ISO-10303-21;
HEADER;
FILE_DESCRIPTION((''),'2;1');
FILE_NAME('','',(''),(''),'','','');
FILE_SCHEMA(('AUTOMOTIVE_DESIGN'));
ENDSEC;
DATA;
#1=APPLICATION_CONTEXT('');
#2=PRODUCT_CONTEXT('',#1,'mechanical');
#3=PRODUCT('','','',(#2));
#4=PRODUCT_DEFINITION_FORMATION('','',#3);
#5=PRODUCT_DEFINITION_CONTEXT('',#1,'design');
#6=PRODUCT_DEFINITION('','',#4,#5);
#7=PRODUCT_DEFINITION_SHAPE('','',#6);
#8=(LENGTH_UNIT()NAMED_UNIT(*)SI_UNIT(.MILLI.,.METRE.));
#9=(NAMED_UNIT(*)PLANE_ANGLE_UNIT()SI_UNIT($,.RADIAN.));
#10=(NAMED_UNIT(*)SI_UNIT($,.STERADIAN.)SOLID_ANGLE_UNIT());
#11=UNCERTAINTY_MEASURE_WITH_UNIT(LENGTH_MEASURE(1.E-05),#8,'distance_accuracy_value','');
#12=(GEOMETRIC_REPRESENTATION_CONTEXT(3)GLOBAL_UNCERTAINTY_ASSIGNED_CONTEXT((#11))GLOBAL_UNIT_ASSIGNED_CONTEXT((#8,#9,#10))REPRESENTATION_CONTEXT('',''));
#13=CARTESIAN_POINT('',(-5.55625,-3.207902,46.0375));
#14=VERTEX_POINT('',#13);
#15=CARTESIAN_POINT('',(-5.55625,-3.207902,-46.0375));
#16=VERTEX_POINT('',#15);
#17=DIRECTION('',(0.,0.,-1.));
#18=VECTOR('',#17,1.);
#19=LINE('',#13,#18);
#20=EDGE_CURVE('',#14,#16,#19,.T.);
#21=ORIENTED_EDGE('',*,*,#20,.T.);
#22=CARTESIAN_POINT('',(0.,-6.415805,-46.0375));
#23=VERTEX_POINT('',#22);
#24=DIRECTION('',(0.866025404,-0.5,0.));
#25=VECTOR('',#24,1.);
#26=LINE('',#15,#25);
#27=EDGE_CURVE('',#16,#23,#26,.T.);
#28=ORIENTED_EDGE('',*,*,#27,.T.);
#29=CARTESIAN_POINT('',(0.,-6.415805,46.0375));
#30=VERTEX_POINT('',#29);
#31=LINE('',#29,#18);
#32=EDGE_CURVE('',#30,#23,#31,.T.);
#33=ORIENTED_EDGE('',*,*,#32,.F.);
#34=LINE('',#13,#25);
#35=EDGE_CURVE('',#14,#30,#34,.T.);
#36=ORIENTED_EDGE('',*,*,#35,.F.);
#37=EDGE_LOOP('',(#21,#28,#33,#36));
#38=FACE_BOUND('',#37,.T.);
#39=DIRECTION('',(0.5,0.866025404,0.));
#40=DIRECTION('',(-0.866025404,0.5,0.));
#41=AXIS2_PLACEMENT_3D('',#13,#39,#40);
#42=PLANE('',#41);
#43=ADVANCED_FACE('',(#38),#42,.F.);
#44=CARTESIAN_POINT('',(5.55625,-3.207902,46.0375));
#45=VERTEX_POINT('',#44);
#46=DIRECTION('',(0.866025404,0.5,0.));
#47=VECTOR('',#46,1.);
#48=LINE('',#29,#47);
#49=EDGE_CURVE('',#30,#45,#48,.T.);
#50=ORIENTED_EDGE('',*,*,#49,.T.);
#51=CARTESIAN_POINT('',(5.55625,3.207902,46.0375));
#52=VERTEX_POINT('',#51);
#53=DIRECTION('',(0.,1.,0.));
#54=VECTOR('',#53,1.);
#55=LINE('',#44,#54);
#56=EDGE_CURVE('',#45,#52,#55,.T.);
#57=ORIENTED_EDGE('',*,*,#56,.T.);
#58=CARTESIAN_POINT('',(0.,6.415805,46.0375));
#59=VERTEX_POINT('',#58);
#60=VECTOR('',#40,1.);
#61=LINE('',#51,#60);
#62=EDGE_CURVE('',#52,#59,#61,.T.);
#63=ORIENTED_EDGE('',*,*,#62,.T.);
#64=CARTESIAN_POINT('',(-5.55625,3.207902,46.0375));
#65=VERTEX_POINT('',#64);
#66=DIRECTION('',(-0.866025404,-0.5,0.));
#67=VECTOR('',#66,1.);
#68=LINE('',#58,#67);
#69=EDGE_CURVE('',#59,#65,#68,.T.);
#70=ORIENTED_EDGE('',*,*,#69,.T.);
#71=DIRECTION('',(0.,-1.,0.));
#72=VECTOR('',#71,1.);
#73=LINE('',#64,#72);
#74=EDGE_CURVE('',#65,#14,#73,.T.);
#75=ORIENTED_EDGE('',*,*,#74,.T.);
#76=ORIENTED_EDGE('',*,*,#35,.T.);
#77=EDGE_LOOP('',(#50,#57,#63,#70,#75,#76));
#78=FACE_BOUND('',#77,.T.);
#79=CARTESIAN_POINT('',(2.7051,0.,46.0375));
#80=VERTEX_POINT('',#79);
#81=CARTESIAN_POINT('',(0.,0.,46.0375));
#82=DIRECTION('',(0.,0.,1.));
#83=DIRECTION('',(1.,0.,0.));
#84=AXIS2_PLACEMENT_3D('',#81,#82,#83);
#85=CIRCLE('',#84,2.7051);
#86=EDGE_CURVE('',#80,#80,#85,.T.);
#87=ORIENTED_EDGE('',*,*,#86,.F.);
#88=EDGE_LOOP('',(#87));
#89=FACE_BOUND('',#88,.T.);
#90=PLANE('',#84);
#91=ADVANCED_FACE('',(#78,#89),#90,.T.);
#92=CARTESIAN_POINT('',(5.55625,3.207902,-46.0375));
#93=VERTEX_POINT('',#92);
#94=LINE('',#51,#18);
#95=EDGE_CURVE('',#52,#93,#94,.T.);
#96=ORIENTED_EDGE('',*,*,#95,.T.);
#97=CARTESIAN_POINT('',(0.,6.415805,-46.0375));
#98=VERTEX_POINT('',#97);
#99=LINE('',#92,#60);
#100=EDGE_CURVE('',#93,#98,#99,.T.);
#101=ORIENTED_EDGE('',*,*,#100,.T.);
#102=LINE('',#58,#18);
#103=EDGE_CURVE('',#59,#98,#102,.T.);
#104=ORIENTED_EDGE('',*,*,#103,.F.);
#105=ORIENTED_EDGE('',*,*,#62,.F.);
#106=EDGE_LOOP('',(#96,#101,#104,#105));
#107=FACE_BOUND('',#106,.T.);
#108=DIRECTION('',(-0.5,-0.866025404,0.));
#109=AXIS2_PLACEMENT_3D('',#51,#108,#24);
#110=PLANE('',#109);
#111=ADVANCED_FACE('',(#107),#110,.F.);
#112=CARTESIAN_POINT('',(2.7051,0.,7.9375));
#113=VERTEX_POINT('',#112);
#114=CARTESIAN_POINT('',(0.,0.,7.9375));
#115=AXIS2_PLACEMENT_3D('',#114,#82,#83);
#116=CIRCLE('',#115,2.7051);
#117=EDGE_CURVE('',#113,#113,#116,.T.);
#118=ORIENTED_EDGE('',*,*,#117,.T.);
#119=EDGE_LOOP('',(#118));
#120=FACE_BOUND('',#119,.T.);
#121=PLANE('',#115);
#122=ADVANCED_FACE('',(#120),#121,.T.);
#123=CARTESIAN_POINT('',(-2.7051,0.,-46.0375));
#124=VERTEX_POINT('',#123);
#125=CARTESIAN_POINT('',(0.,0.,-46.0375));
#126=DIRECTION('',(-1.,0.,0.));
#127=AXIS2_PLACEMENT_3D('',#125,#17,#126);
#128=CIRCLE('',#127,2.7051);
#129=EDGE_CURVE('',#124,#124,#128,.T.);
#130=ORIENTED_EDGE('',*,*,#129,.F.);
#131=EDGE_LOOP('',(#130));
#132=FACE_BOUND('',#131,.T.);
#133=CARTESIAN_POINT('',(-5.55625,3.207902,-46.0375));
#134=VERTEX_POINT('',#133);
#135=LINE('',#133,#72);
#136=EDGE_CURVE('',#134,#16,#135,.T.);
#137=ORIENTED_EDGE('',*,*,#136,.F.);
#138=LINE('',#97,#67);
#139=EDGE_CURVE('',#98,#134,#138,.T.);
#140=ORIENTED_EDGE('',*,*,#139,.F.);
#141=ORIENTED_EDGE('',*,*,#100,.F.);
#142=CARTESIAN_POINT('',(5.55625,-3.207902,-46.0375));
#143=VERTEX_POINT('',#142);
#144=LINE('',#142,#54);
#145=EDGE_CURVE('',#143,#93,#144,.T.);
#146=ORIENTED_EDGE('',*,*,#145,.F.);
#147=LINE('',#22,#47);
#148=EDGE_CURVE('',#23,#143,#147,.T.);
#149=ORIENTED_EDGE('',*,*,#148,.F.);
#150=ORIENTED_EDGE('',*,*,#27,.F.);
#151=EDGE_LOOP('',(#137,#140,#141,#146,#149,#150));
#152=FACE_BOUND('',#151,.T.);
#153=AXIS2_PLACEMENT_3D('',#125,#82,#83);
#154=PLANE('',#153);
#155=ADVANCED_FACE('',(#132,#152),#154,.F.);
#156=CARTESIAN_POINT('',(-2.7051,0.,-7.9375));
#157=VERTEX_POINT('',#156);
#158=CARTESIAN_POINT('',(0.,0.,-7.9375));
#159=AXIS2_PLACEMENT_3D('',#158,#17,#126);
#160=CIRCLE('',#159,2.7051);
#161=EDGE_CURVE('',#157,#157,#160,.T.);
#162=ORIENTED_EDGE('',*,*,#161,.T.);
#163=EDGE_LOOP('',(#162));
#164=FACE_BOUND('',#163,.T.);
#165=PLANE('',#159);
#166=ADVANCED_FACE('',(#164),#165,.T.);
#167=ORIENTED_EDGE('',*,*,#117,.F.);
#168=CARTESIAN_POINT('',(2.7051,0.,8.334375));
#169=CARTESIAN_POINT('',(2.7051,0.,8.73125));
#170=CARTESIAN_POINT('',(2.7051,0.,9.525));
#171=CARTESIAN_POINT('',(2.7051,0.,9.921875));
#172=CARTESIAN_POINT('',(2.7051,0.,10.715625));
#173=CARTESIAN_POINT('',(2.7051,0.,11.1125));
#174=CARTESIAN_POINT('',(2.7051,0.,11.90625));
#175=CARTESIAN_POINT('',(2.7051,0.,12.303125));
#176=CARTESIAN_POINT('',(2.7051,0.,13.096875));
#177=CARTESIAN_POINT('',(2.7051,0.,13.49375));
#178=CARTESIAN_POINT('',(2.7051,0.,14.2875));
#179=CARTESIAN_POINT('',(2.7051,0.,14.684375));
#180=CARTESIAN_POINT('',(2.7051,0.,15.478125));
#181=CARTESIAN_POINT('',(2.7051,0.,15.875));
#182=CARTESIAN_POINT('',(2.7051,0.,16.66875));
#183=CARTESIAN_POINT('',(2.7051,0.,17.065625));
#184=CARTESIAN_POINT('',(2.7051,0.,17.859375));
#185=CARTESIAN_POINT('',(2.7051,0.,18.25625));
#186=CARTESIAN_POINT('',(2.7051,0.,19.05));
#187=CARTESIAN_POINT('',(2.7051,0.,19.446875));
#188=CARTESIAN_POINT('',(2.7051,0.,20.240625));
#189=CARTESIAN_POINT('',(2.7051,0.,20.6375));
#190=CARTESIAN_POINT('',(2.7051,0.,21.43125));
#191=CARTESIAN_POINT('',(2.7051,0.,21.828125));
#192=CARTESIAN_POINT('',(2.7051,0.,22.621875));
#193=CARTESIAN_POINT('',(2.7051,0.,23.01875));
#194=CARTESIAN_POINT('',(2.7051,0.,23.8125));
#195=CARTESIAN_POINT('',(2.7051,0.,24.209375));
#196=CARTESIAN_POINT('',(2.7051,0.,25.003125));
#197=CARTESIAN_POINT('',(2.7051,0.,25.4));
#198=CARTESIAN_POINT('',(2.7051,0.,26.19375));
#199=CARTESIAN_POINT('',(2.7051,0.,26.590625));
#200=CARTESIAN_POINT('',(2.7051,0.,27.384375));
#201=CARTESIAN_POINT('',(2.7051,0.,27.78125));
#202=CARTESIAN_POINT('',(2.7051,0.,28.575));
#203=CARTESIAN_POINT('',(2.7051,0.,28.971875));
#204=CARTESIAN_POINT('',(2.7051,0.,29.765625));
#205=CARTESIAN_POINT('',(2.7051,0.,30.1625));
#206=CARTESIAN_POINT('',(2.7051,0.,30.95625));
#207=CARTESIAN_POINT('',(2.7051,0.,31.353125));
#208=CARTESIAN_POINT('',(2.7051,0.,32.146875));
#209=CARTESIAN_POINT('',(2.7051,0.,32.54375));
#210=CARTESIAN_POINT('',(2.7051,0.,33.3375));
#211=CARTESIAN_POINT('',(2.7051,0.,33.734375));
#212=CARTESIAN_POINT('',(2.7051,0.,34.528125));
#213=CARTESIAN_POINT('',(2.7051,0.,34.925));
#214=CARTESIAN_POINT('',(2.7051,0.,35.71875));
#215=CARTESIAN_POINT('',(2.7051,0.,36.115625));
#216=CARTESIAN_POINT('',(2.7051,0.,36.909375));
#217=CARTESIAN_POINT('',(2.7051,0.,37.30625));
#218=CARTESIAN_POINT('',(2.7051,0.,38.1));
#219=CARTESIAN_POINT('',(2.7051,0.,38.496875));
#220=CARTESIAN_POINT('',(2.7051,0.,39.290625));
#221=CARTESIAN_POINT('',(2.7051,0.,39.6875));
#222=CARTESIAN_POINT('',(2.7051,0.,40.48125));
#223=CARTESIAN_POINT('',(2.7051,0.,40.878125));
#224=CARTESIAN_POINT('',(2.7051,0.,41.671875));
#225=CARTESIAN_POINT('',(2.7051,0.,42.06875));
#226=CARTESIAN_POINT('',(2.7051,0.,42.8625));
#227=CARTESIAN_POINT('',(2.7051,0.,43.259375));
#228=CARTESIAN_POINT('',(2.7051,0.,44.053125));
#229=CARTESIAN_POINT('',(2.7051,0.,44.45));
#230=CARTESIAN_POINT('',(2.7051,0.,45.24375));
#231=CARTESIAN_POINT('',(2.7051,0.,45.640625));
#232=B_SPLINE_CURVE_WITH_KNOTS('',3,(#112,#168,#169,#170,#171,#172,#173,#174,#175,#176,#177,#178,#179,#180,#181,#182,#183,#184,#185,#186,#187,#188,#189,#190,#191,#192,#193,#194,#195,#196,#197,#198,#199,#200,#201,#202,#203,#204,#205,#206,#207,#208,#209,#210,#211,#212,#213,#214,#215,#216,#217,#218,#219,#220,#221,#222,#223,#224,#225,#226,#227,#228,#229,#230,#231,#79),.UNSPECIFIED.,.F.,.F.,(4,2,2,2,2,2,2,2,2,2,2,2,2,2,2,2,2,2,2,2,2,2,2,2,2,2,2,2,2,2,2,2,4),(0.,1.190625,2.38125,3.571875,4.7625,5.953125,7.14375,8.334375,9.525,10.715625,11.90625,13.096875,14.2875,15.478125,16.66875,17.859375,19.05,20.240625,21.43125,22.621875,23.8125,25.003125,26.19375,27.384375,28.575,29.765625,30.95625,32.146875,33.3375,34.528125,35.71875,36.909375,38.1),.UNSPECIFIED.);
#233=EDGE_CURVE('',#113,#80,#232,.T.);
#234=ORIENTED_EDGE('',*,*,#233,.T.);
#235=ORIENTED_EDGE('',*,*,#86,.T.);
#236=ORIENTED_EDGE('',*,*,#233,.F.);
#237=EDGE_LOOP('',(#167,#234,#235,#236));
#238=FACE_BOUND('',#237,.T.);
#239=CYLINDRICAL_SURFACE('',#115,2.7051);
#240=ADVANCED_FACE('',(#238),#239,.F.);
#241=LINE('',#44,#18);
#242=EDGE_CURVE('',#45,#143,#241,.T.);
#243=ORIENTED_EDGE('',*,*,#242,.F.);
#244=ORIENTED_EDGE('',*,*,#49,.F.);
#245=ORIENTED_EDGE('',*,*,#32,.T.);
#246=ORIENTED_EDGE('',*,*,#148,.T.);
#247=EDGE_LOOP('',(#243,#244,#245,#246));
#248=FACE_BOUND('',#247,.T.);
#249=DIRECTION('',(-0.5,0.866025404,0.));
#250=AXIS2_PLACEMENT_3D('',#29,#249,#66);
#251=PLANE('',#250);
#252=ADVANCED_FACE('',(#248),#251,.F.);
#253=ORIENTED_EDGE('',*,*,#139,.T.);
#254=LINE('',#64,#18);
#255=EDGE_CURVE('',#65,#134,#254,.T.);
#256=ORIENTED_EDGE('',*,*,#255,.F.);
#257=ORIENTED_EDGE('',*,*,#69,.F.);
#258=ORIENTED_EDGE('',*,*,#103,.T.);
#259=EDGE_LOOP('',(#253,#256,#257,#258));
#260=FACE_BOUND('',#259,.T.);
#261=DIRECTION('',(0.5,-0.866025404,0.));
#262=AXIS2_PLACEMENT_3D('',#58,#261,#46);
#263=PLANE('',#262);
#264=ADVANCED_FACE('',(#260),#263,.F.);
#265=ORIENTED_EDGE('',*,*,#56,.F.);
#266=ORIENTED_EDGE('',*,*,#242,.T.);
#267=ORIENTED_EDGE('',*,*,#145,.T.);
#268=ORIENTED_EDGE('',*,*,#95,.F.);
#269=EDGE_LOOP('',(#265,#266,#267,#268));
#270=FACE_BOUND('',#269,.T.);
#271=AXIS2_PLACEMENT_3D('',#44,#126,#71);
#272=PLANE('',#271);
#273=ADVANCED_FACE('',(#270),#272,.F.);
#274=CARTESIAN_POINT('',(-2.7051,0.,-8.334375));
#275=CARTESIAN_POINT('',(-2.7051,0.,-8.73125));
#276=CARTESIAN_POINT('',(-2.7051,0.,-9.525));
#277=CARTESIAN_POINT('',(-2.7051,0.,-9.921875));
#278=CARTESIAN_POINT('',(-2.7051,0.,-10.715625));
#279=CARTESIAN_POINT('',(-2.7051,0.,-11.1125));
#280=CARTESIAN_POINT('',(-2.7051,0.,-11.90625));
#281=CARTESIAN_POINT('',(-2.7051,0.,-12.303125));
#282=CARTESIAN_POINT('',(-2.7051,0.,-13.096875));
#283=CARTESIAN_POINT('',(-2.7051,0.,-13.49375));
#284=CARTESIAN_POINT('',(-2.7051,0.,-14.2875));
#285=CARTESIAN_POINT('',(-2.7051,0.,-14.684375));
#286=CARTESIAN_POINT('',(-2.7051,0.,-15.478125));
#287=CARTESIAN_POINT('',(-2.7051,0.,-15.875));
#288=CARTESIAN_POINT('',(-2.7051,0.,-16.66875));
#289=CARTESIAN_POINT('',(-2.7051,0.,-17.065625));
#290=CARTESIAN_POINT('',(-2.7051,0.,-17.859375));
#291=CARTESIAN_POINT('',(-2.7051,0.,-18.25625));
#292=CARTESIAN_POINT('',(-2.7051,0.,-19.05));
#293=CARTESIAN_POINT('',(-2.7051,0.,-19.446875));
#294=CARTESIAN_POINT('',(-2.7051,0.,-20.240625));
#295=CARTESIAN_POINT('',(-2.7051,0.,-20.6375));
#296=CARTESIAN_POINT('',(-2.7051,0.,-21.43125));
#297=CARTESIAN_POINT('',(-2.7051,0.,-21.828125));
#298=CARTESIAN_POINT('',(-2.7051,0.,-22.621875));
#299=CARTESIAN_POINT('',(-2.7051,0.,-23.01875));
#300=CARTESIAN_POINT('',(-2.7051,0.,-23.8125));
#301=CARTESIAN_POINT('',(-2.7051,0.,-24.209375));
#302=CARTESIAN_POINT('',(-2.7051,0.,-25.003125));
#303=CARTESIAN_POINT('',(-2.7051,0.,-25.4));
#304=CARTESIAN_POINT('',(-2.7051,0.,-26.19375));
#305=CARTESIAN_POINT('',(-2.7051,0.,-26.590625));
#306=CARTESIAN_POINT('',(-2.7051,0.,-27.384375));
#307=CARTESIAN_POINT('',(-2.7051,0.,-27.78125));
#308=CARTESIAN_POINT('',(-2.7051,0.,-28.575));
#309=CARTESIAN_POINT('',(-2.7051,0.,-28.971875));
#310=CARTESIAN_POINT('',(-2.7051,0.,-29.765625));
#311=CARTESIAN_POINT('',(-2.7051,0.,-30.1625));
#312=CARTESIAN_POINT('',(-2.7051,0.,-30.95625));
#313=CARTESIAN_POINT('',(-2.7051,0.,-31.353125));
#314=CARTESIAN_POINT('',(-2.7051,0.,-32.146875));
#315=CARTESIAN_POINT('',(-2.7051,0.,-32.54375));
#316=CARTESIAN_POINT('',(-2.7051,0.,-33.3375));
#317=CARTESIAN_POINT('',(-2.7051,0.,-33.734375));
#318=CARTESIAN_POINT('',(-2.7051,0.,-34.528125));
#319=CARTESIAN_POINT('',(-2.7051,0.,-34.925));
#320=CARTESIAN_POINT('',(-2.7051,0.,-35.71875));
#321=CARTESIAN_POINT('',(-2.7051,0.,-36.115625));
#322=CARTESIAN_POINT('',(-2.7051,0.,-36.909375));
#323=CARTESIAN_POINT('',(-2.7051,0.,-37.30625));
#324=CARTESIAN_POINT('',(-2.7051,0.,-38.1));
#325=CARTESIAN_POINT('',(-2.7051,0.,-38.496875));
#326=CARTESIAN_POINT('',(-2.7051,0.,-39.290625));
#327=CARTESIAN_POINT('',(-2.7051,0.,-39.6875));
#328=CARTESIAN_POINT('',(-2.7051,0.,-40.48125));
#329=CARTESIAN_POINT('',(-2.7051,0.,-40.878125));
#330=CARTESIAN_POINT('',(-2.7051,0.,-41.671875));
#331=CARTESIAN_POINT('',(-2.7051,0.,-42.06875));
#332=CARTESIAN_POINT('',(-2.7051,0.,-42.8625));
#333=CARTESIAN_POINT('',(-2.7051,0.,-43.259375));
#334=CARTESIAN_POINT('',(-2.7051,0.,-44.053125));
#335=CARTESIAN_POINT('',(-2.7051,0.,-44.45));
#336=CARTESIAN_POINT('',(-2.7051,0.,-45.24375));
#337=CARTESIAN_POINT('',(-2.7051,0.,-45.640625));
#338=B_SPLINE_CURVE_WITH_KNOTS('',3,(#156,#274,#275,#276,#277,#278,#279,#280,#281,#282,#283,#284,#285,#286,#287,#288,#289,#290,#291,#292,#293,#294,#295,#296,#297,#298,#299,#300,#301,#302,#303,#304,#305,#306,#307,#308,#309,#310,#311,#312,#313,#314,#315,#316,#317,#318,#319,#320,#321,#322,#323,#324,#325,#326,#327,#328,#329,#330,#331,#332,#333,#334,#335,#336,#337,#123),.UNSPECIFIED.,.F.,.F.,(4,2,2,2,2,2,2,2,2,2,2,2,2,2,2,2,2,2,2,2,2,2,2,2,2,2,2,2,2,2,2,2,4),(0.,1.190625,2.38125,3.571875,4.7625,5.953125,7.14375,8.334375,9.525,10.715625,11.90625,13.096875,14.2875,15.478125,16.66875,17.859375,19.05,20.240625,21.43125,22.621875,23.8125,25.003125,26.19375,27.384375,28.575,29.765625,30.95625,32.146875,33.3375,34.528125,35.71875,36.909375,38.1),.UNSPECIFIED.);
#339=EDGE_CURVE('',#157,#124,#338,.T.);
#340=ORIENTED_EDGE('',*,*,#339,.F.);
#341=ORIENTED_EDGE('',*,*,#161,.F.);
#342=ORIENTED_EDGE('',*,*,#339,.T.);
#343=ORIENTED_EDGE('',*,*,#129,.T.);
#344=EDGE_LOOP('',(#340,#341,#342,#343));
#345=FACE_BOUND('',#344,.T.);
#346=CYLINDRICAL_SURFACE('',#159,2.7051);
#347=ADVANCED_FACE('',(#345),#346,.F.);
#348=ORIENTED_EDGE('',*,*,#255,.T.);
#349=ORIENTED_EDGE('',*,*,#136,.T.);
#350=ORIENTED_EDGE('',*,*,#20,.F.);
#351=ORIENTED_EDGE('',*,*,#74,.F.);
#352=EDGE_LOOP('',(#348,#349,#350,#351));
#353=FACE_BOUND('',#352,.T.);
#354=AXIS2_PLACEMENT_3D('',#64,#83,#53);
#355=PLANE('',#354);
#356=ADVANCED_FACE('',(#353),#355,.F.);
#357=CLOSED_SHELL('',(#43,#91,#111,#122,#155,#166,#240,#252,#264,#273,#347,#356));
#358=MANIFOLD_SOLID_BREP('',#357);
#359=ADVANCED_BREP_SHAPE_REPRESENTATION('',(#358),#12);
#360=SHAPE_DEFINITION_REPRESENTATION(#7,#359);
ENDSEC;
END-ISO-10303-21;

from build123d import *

# Parameters (mm, degrees)
BOSS_EXTRUDE1_DEPTH = 46.0375
SKETCH3_R           = 2.7051
CUT_EXTRUDE1_DEPTH  = 38.1
CUT_EXTRUDE2_START  = -38.1
SKETCH4_R           = 2.7051
CUT_EXTRUDE2_DEPTH  = 38.1


with BuildPart() as part:
    # Sketch2 → Boss-Extrude1 (new, symmetric)
    with BuildSketch(Plane.XY):
        Polygon((0, 6.415804866), (-5.55625, 3.207902433), (-5.55625, -3.207902433), (0, -6.415804866), (5.55625, -3.207902433), (5.55625, 3.207902433), align=None)
    extrude(amount=BOSS_EXTRUDE1_DEPTH, both=True)

    # Sketch3 → Cut-Extrude1 (cut)
    with BuildSketch(Plane.XY.offset(46.0375)):
        Circle(SKETCH3_R)
    extrude(amount=-CUT_EXTRUDE1_DEPTH, mode=Mode.SUBTRACT)

    # Sketch4 → Cut-Extrude2 (cut)
    with BuildSketch(Plane(origin=(0, 0, -46.0375), x_dir=(-1, 0, 0), z_dir=(0, 0, -1)).offset(CUT_EXTRUDE2_START)):
        with Locations(Location((0, 0, 0), (0, 0, 180))):
            Circle(SKETCH4_R)
    extrude(amount=CUT_EXTRUDE2_DEPTH, mode=Mode.SUBTRACT)


solid = part.part
